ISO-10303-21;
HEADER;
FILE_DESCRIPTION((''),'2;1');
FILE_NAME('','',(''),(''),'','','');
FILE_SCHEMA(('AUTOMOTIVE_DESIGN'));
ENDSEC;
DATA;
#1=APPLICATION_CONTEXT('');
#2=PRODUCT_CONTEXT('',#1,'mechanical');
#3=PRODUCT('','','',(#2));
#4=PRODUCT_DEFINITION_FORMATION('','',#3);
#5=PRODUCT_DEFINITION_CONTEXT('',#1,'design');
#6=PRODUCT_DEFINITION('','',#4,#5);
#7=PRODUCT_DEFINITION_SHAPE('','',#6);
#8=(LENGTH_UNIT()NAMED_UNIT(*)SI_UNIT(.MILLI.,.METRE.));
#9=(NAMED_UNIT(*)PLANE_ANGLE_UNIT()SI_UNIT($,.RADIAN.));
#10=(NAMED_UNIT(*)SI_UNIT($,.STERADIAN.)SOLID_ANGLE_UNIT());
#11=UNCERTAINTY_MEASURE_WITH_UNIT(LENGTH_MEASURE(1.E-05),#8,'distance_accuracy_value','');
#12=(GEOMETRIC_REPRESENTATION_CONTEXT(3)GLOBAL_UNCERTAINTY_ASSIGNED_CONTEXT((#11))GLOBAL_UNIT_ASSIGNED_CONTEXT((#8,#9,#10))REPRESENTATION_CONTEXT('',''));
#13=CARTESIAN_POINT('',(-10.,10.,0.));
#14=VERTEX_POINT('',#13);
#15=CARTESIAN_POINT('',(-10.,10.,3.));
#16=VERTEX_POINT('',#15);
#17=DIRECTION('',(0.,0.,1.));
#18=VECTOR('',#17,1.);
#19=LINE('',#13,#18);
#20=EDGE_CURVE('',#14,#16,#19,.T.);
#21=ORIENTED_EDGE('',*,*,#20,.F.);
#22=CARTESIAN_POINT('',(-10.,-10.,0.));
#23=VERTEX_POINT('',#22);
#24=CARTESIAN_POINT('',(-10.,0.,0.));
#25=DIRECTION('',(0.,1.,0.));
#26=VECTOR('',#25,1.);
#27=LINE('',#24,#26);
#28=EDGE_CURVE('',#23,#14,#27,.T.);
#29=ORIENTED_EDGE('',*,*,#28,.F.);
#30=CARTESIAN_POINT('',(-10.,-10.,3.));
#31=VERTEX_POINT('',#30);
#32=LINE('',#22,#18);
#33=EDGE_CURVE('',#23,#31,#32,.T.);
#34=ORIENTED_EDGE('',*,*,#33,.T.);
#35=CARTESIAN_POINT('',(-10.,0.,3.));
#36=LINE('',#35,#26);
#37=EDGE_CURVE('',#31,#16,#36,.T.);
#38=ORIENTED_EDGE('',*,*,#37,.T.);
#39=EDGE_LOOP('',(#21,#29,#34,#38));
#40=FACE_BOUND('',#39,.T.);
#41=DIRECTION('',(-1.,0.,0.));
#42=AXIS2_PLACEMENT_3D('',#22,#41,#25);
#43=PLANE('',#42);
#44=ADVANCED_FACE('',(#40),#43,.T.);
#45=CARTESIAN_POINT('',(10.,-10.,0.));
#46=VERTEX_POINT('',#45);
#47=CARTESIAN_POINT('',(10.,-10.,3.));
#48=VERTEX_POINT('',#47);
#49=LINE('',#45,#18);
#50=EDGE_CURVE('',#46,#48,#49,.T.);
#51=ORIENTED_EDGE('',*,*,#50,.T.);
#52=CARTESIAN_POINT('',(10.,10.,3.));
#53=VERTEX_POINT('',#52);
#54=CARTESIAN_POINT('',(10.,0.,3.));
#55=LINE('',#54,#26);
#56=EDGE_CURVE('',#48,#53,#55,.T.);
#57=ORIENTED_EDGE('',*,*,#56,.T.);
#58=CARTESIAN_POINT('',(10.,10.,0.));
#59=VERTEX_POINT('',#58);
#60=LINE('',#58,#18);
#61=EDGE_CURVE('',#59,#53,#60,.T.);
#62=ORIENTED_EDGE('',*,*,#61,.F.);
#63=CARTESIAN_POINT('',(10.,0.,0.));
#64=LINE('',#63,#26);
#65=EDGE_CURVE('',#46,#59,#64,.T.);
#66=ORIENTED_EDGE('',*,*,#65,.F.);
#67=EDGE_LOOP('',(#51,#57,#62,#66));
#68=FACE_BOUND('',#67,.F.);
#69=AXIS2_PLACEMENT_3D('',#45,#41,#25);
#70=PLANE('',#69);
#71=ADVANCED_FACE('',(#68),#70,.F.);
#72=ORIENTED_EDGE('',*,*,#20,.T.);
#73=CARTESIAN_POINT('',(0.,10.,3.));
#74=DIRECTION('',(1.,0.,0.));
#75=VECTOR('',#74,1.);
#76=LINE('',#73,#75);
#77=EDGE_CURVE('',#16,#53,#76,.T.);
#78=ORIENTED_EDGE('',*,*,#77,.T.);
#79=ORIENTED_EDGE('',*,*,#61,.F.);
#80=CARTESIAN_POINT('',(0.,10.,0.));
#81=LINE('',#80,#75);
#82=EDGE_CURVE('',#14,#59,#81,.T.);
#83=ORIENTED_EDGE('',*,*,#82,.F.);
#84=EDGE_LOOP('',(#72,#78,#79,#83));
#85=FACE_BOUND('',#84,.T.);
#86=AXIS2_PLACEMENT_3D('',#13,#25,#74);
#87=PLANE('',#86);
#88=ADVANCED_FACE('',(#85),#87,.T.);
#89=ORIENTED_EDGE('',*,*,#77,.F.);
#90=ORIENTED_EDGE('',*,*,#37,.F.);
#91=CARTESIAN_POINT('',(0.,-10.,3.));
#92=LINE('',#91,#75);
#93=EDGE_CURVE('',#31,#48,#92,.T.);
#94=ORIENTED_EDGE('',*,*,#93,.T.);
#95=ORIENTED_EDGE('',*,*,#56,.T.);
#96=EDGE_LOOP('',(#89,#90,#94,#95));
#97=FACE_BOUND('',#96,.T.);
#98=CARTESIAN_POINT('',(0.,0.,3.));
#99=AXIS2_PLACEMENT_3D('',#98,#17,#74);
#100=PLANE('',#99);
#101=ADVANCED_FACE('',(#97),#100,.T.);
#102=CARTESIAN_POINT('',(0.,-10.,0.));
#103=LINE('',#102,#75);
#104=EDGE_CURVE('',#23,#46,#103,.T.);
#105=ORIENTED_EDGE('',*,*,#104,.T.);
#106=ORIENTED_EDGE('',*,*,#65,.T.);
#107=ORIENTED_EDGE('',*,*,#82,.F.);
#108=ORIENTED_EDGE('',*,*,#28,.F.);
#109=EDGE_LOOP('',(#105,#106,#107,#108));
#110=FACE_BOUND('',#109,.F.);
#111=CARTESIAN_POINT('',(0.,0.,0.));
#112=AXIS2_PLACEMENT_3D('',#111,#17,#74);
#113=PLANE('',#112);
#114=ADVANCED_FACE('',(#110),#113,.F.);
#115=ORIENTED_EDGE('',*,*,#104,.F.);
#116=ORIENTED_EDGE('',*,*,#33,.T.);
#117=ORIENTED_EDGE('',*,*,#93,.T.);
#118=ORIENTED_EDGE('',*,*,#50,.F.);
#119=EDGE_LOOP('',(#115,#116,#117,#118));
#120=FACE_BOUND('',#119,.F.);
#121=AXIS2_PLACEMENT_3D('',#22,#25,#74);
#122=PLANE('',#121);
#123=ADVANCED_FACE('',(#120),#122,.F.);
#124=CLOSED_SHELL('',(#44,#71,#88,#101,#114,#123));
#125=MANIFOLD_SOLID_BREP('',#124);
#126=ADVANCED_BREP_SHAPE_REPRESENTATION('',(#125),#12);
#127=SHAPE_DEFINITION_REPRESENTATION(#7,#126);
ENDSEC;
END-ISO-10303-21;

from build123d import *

# Parameters (mm, degrees)
BOX_W     = 20
BOX_H     = 20
BOX_DEPTH = 3


with BuildPart() as part:
    # Box → Box (new body)
    with BuildSketch(Plane(origin=(-10, -10, 0), x_dir=(1, 0, 0), z_dir=(0, 0, 1))):
        with Locations((10, 10)):
            Rectangle(BOX_W, BOX_H)
    extrude(amount=BOX_DEPTH)


solid = part.part
